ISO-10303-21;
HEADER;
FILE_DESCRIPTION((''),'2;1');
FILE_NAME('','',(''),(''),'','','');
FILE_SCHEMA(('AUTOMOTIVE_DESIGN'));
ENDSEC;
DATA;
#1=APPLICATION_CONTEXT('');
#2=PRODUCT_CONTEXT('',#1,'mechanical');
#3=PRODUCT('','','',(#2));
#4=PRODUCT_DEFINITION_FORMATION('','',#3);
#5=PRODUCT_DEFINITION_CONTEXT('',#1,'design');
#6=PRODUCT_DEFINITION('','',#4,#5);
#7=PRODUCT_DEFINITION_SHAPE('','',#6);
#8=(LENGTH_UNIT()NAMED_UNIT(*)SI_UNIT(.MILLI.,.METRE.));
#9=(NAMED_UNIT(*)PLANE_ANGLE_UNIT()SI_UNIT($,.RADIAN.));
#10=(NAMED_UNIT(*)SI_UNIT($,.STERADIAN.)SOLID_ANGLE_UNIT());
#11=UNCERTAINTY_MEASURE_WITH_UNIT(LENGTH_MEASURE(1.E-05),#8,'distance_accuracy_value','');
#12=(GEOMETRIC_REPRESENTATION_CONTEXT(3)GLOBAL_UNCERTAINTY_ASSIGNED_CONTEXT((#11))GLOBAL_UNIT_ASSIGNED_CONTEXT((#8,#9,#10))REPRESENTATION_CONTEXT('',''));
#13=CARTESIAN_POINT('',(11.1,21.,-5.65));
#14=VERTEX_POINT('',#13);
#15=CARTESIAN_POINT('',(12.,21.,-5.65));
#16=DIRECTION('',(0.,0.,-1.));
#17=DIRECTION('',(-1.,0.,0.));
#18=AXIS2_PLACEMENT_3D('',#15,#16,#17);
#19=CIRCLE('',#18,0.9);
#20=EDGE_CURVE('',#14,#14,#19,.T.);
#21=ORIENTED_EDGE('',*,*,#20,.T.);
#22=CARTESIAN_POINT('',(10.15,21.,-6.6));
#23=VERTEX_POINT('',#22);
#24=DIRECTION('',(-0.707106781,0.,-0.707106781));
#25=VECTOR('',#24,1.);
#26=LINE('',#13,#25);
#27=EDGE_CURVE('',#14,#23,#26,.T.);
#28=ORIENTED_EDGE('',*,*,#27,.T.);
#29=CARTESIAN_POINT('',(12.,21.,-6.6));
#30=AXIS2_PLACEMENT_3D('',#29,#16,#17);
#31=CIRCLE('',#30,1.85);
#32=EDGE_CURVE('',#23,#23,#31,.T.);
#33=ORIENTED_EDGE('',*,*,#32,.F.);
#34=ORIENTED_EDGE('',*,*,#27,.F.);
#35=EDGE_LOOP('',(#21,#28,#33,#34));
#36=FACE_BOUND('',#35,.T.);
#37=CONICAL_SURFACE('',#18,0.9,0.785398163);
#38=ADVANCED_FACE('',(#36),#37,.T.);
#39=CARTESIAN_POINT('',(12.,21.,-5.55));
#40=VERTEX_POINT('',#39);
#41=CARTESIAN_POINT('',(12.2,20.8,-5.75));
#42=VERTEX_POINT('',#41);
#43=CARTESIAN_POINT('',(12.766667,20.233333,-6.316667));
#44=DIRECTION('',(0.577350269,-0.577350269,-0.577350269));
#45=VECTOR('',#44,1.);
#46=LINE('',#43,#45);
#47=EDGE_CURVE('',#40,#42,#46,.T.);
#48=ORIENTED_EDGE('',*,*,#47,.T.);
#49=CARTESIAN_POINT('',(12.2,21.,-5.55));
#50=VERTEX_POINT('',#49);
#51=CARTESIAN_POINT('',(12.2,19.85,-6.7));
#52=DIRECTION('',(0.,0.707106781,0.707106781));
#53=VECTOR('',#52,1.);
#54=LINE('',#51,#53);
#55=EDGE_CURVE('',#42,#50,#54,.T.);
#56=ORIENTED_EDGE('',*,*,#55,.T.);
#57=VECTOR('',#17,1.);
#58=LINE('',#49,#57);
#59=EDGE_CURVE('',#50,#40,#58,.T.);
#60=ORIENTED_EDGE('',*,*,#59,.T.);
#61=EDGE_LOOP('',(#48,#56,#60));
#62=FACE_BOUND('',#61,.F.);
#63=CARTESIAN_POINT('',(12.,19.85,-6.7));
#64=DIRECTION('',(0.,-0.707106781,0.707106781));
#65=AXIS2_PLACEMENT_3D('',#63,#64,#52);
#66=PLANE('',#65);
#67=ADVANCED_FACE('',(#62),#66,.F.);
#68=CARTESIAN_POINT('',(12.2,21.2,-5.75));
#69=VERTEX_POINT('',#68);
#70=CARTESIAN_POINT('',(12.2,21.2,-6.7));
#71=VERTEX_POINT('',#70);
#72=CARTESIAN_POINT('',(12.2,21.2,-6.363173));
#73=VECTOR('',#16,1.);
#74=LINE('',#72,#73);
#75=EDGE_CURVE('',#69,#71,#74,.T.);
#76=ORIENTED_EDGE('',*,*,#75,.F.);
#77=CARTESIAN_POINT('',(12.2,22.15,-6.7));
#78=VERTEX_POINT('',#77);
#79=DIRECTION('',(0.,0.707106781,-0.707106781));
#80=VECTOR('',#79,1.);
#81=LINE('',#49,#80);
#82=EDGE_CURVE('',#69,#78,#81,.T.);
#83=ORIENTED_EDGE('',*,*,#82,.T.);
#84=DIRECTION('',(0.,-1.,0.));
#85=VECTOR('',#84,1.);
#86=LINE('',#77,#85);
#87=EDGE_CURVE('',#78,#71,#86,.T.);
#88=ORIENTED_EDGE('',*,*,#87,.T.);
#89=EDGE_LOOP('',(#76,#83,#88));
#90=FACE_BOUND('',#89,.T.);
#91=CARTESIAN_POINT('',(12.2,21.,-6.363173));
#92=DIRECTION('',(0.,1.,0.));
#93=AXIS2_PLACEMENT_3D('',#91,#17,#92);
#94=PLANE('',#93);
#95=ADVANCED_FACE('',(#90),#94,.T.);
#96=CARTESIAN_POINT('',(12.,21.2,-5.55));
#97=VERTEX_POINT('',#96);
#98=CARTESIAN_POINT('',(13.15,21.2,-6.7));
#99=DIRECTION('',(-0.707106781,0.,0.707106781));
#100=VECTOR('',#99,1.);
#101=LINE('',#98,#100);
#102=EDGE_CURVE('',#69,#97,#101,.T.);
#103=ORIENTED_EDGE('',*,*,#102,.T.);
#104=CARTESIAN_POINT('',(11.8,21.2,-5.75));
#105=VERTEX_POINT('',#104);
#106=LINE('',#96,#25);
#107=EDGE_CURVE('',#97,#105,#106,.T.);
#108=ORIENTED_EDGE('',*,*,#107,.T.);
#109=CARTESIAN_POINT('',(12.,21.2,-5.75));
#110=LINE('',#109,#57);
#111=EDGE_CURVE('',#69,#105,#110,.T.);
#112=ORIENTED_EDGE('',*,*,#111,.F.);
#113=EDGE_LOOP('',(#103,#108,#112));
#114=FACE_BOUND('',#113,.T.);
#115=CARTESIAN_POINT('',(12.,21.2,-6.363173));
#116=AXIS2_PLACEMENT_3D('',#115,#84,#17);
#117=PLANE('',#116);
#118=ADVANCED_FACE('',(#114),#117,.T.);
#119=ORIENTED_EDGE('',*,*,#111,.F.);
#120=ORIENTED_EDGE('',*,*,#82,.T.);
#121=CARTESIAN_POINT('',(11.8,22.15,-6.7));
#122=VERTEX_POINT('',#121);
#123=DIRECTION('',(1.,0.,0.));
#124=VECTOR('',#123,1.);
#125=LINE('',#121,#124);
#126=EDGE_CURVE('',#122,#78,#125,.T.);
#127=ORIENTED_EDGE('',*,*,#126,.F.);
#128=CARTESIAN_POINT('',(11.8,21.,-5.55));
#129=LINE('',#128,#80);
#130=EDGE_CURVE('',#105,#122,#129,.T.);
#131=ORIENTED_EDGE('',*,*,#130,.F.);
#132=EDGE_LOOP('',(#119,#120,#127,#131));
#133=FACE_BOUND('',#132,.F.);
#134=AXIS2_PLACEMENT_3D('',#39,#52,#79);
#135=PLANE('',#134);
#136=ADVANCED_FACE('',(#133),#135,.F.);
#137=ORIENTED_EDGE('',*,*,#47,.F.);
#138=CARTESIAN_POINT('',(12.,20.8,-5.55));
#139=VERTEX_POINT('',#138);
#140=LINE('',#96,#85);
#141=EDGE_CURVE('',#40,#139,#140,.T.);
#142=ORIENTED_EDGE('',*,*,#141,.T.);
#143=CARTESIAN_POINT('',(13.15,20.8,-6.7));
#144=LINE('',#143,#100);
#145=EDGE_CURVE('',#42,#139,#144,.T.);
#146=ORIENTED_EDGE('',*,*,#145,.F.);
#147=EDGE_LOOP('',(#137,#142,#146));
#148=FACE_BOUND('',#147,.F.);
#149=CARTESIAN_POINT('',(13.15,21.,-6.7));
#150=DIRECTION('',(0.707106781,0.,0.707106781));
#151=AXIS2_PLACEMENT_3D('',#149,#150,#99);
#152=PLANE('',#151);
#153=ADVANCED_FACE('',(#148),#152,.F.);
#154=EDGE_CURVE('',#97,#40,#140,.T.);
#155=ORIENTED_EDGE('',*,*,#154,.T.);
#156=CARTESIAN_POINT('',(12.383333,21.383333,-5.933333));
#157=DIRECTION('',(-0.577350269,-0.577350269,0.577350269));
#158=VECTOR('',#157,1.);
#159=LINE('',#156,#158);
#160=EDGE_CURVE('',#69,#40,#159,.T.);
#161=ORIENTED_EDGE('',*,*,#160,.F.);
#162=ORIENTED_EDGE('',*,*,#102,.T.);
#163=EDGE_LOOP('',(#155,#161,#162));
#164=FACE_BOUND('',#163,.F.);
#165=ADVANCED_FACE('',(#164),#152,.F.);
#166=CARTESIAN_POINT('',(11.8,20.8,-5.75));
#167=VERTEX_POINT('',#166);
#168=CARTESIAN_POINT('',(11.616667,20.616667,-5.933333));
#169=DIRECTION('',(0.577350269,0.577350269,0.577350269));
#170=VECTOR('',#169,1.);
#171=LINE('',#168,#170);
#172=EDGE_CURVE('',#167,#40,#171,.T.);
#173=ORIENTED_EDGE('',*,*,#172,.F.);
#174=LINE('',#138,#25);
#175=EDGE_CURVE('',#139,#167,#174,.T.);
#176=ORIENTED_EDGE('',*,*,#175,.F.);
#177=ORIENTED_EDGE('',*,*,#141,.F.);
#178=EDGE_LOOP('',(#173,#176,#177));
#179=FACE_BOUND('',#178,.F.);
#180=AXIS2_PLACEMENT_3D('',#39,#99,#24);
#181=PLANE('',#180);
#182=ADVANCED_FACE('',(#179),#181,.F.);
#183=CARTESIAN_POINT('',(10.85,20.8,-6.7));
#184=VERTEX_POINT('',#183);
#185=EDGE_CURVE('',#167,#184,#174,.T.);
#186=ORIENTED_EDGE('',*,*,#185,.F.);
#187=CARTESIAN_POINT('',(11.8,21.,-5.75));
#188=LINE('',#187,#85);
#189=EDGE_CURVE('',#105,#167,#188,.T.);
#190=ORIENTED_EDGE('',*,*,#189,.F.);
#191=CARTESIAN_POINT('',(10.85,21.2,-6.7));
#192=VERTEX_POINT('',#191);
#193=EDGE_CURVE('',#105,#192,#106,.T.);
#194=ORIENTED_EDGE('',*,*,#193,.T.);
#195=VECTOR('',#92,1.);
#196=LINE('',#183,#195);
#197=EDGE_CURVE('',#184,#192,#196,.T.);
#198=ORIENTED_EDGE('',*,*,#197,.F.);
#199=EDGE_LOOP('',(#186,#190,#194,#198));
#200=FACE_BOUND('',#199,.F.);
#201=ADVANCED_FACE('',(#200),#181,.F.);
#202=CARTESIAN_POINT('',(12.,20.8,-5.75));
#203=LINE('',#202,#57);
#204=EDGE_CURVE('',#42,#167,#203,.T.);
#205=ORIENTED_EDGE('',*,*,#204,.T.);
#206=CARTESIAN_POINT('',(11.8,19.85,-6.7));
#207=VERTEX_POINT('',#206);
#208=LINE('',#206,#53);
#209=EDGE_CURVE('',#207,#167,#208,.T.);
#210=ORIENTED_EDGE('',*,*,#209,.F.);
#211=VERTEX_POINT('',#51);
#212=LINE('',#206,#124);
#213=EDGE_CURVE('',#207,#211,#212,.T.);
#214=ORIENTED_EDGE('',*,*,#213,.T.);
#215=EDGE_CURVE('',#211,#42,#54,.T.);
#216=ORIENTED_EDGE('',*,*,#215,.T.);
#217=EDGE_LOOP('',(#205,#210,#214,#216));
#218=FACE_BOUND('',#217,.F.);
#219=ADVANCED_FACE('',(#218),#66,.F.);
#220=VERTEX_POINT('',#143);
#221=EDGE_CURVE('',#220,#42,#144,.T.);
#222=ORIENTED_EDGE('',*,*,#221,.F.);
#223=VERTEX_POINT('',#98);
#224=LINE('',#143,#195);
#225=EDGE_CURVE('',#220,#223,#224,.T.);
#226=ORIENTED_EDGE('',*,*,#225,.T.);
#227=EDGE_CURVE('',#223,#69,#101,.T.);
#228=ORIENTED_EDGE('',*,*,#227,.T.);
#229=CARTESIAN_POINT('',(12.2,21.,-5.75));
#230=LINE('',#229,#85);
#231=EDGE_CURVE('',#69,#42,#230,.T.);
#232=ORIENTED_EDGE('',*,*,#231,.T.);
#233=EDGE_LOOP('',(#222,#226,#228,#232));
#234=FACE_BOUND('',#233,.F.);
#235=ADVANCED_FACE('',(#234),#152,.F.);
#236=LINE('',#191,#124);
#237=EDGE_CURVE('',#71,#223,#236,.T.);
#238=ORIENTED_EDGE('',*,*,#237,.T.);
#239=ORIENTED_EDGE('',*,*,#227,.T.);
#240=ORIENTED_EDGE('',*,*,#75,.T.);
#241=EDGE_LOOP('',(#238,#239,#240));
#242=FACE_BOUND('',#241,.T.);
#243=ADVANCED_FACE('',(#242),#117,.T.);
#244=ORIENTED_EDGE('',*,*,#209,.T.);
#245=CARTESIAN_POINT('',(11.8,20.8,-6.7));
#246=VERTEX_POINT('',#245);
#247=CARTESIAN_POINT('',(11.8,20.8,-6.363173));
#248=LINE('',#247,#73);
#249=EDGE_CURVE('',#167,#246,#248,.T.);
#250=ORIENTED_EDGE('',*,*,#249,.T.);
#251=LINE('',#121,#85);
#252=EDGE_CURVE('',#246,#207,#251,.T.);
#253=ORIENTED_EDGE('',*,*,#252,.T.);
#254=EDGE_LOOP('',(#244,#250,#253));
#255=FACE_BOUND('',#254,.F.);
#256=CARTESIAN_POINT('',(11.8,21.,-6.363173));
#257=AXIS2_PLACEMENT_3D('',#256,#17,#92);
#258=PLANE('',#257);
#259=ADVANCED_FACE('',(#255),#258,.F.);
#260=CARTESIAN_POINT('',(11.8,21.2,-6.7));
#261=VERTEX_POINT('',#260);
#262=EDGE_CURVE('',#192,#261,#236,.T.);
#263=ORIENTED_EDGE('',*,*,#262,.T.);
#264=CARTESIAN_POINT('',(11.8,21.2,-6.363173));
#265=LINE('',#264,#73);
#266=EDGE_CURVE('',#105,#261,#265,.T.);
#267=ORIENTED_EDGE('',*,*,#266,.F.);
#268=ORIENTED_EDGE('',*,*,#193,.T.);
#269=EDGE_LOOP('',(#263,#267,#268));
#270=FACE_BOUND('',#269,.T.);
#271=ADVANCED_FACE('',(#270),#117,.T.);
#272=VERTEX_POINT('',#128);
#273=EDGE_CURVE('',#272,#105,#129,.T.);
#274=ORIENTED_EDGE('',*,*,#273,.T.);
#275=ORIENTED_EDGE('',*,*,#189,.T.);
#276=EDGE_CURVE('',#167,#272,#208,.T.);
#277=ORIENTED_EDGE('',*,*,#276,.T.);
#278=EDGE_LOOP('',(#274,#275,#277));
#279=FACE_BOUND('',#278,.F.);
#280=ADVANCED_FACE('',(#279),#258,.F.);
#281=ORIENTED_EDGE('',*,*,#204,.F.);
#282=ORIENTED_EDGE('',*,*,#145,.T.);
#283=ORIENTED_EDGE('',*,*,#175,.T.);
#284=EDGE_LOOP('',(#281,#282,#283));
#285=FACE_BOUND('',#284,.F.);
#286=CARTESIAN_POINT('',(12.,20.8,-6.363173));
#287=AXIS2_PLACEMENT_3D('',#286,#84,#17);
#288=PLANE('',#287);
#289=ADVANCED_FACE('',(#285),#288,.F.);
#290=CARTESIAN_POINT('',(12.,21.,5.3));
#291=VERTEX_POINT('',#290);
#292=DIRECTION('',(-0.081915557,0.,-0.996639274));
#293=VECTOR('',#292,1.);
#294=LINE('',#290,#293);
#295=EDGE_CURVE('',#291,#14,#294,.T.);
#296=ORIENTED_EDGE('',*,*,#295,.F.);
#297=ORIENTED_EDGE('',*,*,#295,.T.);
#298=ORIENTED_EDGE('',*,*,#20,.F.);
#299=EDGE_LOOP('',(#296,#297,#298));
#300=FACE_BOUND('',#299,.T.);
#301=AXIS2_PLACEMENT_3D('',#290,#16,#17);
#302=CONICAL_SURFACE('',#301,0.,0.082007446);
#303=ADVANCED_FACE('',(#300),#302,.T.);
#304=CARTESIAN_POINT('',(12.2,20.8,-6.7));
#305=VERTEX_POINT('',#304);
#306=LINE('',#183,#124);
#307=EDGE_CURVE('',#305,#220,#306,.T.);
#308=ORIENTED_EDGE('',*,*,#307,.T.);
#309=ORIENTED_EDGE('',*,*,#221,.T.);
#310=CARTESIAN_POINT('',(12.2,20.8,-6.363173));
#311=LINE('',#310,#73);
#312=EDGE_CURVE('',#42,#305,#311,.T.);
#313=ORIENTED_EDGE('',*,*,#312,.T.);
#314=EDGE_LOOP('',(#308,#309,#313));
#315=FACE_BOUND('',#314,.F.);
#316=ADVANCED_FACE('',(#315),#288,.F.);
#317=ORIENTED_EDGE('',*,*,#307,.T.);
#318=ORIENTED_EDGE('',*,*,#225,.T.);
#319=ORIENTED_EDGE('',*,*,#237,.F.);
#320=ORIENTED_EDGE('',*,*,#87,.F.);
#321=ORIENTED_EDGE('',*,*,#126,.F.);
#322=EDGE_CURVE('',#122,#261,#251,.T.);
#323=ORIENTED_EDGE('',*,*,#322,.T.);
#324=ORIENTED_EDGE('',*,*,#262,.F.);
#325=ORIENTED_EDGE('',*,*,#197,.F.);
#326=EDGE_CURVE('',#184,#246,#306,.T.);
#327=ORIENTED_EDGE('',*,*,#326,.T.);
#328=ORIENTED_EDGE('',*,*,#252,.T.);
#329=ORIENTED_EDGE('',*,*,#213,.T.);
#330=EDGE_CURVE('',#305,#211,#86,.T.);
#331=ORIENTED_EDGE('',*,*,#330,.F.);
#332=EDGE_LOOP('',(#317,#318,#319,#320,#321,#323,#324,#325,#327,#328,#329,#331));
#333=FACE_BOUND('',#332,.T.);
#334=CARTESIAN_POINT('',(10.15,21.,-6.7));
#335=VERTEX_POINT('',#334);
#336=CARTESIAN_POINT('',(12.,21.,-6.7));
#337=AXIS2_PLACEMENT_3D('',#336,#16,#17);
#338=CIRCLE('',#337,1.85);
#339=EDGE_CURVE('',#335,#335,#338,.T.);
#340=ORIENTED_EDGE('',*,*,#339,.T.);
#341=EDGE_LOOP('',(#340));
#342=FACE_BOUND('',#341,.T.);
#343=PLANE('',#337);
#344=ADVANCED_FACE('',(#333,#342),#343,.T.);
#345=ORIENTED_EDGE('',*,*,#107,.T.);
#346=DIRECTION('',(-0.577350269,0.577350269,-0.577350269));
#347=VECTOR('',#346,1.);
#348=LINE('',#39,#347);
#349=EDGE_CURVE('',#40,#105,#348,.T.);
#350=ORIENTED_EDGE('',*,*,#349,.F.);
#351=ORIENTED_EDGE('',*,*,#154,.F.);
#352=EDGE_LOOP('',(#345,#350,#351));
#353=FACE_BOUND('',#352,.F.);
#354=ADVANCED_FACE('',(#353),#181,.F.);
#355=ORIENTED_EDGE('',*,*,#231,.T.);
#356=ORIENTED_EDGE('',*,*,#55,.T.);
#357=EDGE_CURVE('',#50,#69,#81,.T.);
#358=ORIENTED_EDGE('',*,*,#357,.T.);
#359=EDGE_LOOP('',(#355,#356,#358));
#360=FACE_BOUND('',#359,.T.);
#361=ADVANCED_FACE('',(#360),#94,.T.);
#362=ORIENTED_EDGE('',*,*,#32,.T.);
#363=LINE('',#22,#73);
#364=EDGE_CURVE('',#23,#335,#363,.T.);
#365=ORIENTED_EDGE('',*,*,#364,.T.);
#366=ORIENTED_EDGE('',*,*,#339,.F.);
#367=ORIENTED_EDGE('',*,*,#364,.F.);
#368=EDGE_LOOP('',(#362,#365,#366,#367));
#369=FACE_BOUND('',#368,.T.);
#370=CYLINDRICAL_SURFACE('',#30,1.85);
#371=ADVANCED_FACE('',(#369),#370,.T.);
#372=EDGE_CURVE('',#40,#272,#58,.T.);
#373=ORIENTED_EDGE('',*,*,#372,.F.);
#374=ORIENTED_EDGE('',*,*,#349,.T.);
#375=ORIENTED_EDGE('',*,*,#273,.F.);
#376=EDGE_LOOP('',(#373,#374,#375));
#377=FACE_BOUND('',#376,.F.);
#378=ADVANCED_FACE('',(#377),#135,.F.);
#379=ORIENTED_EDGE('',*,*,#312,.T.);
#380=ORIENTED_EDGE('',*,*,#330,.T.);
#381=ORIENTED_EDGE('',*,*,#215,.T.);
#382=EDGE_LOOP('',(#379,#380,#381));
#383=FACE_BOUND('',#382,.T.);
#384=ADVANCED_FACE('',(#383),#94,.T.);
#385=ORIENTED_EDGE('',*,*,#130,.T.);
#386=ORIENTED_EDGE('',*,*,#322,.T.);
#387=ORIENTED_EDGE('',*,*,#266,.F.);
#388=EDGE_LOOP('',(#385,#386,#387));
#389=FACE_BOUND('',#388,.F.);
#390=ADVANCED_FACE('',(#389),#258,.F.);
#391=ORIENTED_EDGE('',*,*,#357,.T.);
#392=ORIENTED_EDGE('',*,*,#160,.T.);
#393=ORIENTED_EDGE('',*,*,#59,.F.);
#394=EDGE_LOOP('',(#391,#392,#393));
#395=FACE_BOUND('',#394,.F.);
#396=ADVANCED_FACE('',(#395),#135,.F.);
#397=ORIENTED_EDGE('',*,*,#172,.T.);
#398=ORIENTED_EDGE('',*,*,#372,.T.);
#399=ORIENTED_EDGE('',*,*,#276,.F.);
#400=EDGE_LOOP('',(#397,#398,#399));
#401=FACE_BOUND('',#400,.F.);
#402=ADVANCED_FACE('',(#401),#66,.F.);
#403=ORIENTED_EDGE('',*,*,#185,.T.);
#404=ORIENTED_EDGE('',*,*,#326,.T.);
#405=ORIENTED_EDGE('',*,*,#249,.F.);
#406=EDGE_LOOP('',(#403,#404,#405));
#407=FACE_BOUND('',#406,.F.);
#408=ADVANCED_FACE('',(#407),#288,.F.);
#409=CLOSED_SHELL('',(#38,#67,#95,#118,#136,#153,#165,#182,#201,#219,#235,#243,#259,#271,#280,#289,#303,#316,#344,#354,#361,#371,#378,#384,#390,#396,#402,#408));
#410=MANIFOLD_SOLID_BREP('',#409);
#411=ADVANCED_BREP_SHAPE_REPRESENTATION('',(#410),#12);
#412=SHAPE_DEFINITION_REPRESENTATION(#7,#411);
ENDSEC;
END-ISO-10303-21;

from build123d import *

# Parameters (mm, degrees)
POCKET002_DEPTH         = 0.2
POLARPATTERN002_COUNT   = 2
POLARPATTERN002_ANGLE   = 90
BODY006_PLACEMENT_ANGLE = 180


with BuildPart() as part:
    # Sketch012 → Revolution002 (revolve)
    with BuildSketch(Plane.XZ):
        Polygon((0, 0), (0, -12), (0.9, -1.05), (1.85, -0.1), (1.85, 0), align=None)
    revolve(axis=Axis((0, 0, 0), (0, 0, 1)))

    # Sketch011 → Pocket002 (cut, symmetric)
    with BuildSketch(Plane.XZ):
        Polygon((-1.15, 0), (0, -1.15), (1.15, 0), align=None)
    pocket002 = extrude(amount=POCKET002_DEPTH, both=True, mode=Mode.SUBTRACT)

    # PolarPattern002: Pocket002 ×2 about axis
    polarpattern002_axis = Axis((0, 0, 0), (0, 0, 1))
    for i in range(1, POLARPATTERN002_COUNT):
        add(pocket002.rotate(polarpattern002_axis, i * POLARPATTERN002_ANGLE / (POLARPATTERN002_COUNT - 1)), mode=Mode.SUBTRACT)


with BuildPart() as part_1:
    # Body006 placement: moved
    add(part.part.moved(Location((12, 21, -6.7))).rotate(Axis((12, 21, -6.7), (0, 1, 0)), BODY006_PLACEMENT_ANGLE))


solid = part_1.part
